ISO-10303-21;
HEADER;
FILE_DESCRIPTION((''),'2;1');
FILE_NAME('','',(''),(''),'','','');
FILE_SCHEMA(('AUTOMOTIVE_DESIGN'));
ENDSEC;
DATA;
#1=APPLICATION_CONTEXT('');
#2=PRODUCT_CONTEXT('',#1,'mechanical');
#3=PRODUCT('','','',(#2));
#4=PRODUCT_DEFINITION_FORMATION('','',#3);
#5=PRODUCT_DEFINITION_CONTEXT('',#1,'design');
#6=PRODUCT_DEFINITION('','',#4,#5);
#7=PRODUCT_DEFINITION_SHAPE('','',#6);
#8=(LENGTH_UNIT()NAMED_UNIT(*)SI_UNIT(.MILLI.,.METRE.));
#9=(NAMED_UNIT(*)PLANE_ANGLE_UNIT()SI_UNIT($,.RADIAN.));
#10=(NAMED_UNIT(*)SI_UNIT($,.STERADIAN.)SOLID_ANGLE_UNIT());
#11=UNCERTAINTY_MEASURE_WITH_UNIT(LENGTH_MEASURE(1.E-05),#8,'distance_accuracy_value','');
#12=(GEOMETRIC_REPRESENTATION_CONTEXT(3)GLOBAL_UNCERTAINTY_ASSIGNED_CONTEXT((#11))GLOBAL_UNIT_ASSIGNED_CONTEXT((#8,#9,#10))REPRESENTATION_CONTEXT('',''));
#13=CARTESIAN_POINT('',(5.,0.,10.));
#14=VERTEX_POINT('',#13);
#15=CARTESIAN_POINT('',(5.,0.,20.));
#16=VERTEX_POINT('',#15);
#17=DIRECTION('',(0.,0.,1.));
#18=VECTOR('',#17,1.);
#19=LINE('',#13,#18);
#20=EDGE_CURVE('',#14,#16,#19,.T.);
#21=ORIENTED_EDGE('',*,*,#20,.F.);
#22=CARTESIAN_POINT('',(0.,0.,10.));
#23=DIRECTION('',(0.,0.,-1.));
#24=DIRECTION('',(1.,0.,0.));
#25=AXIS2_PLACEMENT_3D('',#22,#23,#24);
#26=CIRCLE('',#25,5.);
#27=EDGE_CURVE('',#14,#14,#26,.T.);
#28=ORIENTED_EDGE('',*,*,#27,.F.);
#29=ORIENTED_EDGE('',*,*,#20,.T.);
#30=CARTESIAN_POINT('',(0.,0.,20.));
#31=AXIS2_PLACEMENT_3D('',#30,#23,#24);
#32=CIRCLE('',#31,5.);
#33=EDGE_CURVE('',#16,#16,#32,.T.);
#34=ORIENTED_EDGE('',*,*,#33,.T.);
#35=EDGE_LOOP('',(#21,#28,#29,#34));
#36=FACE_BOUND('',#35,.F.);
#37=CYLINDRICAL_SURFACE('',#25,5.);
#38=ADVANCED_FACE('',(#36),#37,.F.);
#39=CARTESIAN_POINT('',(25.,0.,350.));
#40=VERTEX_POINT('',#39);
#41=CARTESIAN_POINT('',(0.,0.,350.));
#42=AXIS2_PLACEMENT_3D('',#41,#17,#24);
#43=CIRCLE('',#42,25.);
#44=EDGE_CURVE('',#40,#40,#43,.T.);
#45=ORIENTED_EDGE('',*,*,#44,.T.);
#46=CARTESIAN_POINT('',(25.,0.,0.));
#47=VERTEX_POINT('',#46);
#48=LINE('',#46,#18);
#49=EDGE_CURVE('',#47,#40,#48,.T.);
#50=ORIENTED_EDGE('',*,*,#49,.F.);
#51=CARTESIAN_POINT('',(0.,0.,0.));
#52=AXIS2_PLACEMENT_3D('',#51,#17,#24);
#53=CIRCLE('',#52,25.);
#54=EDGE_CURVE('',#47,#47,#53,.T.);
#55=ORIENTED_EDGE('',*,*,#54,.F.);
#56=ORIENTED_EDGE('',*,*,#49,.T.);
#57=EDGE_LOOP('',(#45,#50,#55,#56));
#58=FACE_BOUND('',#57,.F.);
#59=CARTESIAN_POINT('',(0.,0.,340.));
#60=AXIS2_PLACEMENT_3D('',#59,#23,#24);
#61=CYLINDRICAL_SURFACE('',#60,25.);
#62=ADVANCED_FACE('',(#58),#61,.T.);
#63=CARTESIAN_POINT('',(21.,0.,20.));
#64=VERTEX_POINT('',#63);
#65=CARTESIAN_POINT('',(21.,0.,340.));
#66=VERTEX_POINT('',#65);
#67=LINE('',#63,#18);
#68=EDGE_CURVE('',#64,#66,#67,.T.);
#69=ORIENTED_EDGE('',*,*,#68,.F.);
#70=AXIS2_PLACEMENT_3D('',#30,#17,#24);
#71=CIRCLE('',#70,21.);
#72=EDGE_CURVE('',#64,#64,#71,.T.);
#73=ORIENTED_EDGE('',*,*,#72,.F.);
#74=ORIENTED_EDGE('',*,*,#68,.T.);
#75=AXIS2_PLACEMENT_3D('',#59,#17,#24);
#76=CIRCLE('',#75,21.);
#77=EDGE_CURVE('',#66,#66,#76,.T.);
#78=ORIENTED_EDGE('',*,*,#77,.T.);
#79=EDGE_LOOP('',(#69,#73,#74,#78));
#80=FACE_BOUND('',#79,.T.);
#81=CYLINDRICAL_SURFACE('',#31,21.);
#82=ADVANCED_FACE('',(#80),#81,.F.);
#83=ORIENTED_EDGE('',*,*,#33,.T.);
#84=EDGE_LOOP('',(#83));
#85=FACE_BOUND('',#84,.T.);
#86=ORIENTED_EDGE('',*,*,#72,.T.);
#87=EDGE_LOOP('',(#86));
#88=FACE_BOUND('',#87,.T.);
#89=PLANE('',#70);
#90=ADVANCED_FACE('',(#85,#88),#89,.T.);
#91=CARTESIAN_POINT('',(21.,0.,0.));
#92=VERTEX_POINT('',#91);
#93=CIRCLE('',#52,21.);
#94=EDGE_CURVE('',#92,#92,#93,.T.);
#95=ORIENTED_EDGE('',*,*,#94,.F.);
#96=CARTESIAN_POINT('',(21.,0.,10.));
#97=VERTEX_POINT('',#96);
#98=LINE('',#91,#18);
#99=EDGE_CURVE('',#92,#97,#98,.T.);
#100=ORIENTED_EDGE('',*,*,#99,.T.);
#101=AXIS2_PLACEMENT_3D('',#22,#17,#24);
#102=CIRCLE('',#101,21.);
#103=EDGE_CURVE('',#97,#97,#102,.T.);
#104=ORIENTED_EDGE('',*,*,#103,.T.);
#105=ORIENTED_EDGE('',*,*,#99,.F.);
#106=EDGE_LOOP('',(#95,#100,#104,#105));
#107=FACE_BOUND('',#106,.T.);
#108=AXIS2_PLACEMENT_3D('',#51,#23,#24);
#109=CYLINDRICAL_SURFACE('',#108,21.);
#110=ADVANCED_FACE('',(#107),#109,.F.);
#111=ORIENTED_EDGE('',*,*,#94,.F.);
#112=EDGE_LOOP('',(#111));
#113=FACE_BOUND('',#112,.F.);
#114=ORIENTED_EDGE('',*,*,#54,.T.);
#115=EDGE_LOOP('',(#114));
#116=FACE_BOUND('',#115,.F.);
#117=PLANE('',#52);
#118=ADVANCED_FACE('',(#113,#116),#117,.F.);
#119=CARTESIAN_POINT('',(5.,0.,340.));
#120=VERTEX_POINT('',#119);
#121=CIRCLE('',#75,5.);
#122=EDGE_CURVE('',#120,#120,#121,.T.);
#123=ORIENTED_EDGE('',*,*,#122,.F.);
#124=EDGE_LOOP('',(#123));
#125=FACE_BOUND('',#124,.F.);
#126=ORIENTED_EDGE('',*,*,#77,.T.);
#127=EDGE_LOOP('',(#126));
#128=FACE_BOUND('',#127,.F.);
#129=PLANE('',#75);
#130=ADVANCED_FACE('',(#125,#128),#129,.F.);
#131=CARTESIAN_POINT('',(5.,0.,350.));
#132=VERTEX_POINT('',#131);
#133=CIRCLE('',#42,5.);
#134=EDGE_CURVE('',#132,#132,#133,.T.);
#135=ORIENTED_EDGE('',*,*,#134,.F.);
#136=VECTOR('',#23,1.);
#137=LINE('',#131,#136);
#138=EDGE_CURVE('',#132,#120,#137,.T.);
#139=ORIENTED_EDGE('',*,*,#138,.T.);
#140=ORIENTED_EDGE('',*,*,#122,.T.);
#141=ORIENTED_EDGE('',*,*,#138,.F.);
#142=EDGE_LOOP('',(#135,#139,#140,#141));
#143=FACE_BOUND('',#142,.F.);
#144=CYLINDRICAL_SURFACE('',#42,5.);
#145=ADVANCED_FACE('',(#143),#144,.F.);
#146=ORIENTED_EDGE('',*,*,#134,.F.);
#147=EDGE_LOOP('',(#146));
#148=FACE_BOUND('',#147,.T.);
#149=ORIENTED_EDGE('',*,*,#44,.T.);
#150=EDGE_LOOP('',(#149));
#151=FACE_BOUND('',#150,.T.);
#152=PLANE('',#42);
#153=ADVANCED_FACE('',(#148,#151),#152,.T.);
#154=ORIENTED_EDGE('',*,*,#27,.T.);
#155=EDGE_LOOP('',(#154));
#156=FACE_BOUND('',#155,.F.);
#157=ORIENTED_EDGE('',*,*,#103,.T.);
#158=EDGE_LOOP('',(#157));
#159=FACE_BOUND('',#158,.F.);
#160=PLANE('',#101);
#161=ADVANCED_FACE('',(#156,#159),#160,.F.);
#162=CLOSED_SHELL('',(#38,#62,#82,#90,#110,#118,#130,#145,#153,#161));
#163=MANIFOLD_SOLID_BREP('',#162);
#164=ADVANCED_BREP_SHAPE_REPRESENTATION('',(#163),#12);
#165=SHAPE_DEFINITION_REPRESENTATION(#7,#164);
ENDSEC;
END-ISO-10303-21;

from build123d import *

# Parameters (mm, degrees)
F0_R      = 25
F0_R_2    = 21
F1_DEPTH  = 10
F2_R      = 25
F3_DEPTH  = 10
F4_R      = 25
F4_R_2    = 21
F5_DEPTH  = 320
F6_R      = 25
F7_DEPTH  = 10
F8_R      = 5
F9_DEPTH  = 10
F10_R     = 5
F11_DEPTH = 10


with BuildPart() as f1:
    # F0 (on Top) → F1 (new body)
    with BuildSketch(Plane.XY):
        Circle(F0_R)
        Circle(F0_R_2, mode=Mode.SUBTRACT)
    extrude(amount=F1_DEPTH)

    # F2 (on face) → F3 (join)
    with BuildSketch(Plane.XY.offset(10)):
        Circle(F2_R)
    extrude(amount=F3_DEPTH)

    # F4 (on face) → F5 (join)
    with BuildSketch(Plane.XY.offset(20)):
        Circle(F4_R)
        Circle(F4_R_2, mode=Mode.SUBTRACT)
    extrude(amount=F5_DEPTH)

    # F6 (on face) → F7 (join)
    with BuildSketch(Plane.XY.offset(340)):
        Circle(F6_R)
    extrude(amount=F7_DEPTH)

    # F8 (on face) → F9 (cut)
    with BuildSketch(Plane(origin=(0, 0, 10), x_dir=(1, 0, 0), z_dir=(0, 0, -1))):
        Circle(F8_R)
    extrude(amount=-F9_DEPTH, mode=Mode.SUBTRACT)

    # F10 (on face) → F11 (cut)
    with BuildSketch(Plane.XY.offset(350)):
        Circle(F10_R)
    extrude(amount=-F11_DEPTH, mode=Mode.SUBTRACT)


solid = f1.part
